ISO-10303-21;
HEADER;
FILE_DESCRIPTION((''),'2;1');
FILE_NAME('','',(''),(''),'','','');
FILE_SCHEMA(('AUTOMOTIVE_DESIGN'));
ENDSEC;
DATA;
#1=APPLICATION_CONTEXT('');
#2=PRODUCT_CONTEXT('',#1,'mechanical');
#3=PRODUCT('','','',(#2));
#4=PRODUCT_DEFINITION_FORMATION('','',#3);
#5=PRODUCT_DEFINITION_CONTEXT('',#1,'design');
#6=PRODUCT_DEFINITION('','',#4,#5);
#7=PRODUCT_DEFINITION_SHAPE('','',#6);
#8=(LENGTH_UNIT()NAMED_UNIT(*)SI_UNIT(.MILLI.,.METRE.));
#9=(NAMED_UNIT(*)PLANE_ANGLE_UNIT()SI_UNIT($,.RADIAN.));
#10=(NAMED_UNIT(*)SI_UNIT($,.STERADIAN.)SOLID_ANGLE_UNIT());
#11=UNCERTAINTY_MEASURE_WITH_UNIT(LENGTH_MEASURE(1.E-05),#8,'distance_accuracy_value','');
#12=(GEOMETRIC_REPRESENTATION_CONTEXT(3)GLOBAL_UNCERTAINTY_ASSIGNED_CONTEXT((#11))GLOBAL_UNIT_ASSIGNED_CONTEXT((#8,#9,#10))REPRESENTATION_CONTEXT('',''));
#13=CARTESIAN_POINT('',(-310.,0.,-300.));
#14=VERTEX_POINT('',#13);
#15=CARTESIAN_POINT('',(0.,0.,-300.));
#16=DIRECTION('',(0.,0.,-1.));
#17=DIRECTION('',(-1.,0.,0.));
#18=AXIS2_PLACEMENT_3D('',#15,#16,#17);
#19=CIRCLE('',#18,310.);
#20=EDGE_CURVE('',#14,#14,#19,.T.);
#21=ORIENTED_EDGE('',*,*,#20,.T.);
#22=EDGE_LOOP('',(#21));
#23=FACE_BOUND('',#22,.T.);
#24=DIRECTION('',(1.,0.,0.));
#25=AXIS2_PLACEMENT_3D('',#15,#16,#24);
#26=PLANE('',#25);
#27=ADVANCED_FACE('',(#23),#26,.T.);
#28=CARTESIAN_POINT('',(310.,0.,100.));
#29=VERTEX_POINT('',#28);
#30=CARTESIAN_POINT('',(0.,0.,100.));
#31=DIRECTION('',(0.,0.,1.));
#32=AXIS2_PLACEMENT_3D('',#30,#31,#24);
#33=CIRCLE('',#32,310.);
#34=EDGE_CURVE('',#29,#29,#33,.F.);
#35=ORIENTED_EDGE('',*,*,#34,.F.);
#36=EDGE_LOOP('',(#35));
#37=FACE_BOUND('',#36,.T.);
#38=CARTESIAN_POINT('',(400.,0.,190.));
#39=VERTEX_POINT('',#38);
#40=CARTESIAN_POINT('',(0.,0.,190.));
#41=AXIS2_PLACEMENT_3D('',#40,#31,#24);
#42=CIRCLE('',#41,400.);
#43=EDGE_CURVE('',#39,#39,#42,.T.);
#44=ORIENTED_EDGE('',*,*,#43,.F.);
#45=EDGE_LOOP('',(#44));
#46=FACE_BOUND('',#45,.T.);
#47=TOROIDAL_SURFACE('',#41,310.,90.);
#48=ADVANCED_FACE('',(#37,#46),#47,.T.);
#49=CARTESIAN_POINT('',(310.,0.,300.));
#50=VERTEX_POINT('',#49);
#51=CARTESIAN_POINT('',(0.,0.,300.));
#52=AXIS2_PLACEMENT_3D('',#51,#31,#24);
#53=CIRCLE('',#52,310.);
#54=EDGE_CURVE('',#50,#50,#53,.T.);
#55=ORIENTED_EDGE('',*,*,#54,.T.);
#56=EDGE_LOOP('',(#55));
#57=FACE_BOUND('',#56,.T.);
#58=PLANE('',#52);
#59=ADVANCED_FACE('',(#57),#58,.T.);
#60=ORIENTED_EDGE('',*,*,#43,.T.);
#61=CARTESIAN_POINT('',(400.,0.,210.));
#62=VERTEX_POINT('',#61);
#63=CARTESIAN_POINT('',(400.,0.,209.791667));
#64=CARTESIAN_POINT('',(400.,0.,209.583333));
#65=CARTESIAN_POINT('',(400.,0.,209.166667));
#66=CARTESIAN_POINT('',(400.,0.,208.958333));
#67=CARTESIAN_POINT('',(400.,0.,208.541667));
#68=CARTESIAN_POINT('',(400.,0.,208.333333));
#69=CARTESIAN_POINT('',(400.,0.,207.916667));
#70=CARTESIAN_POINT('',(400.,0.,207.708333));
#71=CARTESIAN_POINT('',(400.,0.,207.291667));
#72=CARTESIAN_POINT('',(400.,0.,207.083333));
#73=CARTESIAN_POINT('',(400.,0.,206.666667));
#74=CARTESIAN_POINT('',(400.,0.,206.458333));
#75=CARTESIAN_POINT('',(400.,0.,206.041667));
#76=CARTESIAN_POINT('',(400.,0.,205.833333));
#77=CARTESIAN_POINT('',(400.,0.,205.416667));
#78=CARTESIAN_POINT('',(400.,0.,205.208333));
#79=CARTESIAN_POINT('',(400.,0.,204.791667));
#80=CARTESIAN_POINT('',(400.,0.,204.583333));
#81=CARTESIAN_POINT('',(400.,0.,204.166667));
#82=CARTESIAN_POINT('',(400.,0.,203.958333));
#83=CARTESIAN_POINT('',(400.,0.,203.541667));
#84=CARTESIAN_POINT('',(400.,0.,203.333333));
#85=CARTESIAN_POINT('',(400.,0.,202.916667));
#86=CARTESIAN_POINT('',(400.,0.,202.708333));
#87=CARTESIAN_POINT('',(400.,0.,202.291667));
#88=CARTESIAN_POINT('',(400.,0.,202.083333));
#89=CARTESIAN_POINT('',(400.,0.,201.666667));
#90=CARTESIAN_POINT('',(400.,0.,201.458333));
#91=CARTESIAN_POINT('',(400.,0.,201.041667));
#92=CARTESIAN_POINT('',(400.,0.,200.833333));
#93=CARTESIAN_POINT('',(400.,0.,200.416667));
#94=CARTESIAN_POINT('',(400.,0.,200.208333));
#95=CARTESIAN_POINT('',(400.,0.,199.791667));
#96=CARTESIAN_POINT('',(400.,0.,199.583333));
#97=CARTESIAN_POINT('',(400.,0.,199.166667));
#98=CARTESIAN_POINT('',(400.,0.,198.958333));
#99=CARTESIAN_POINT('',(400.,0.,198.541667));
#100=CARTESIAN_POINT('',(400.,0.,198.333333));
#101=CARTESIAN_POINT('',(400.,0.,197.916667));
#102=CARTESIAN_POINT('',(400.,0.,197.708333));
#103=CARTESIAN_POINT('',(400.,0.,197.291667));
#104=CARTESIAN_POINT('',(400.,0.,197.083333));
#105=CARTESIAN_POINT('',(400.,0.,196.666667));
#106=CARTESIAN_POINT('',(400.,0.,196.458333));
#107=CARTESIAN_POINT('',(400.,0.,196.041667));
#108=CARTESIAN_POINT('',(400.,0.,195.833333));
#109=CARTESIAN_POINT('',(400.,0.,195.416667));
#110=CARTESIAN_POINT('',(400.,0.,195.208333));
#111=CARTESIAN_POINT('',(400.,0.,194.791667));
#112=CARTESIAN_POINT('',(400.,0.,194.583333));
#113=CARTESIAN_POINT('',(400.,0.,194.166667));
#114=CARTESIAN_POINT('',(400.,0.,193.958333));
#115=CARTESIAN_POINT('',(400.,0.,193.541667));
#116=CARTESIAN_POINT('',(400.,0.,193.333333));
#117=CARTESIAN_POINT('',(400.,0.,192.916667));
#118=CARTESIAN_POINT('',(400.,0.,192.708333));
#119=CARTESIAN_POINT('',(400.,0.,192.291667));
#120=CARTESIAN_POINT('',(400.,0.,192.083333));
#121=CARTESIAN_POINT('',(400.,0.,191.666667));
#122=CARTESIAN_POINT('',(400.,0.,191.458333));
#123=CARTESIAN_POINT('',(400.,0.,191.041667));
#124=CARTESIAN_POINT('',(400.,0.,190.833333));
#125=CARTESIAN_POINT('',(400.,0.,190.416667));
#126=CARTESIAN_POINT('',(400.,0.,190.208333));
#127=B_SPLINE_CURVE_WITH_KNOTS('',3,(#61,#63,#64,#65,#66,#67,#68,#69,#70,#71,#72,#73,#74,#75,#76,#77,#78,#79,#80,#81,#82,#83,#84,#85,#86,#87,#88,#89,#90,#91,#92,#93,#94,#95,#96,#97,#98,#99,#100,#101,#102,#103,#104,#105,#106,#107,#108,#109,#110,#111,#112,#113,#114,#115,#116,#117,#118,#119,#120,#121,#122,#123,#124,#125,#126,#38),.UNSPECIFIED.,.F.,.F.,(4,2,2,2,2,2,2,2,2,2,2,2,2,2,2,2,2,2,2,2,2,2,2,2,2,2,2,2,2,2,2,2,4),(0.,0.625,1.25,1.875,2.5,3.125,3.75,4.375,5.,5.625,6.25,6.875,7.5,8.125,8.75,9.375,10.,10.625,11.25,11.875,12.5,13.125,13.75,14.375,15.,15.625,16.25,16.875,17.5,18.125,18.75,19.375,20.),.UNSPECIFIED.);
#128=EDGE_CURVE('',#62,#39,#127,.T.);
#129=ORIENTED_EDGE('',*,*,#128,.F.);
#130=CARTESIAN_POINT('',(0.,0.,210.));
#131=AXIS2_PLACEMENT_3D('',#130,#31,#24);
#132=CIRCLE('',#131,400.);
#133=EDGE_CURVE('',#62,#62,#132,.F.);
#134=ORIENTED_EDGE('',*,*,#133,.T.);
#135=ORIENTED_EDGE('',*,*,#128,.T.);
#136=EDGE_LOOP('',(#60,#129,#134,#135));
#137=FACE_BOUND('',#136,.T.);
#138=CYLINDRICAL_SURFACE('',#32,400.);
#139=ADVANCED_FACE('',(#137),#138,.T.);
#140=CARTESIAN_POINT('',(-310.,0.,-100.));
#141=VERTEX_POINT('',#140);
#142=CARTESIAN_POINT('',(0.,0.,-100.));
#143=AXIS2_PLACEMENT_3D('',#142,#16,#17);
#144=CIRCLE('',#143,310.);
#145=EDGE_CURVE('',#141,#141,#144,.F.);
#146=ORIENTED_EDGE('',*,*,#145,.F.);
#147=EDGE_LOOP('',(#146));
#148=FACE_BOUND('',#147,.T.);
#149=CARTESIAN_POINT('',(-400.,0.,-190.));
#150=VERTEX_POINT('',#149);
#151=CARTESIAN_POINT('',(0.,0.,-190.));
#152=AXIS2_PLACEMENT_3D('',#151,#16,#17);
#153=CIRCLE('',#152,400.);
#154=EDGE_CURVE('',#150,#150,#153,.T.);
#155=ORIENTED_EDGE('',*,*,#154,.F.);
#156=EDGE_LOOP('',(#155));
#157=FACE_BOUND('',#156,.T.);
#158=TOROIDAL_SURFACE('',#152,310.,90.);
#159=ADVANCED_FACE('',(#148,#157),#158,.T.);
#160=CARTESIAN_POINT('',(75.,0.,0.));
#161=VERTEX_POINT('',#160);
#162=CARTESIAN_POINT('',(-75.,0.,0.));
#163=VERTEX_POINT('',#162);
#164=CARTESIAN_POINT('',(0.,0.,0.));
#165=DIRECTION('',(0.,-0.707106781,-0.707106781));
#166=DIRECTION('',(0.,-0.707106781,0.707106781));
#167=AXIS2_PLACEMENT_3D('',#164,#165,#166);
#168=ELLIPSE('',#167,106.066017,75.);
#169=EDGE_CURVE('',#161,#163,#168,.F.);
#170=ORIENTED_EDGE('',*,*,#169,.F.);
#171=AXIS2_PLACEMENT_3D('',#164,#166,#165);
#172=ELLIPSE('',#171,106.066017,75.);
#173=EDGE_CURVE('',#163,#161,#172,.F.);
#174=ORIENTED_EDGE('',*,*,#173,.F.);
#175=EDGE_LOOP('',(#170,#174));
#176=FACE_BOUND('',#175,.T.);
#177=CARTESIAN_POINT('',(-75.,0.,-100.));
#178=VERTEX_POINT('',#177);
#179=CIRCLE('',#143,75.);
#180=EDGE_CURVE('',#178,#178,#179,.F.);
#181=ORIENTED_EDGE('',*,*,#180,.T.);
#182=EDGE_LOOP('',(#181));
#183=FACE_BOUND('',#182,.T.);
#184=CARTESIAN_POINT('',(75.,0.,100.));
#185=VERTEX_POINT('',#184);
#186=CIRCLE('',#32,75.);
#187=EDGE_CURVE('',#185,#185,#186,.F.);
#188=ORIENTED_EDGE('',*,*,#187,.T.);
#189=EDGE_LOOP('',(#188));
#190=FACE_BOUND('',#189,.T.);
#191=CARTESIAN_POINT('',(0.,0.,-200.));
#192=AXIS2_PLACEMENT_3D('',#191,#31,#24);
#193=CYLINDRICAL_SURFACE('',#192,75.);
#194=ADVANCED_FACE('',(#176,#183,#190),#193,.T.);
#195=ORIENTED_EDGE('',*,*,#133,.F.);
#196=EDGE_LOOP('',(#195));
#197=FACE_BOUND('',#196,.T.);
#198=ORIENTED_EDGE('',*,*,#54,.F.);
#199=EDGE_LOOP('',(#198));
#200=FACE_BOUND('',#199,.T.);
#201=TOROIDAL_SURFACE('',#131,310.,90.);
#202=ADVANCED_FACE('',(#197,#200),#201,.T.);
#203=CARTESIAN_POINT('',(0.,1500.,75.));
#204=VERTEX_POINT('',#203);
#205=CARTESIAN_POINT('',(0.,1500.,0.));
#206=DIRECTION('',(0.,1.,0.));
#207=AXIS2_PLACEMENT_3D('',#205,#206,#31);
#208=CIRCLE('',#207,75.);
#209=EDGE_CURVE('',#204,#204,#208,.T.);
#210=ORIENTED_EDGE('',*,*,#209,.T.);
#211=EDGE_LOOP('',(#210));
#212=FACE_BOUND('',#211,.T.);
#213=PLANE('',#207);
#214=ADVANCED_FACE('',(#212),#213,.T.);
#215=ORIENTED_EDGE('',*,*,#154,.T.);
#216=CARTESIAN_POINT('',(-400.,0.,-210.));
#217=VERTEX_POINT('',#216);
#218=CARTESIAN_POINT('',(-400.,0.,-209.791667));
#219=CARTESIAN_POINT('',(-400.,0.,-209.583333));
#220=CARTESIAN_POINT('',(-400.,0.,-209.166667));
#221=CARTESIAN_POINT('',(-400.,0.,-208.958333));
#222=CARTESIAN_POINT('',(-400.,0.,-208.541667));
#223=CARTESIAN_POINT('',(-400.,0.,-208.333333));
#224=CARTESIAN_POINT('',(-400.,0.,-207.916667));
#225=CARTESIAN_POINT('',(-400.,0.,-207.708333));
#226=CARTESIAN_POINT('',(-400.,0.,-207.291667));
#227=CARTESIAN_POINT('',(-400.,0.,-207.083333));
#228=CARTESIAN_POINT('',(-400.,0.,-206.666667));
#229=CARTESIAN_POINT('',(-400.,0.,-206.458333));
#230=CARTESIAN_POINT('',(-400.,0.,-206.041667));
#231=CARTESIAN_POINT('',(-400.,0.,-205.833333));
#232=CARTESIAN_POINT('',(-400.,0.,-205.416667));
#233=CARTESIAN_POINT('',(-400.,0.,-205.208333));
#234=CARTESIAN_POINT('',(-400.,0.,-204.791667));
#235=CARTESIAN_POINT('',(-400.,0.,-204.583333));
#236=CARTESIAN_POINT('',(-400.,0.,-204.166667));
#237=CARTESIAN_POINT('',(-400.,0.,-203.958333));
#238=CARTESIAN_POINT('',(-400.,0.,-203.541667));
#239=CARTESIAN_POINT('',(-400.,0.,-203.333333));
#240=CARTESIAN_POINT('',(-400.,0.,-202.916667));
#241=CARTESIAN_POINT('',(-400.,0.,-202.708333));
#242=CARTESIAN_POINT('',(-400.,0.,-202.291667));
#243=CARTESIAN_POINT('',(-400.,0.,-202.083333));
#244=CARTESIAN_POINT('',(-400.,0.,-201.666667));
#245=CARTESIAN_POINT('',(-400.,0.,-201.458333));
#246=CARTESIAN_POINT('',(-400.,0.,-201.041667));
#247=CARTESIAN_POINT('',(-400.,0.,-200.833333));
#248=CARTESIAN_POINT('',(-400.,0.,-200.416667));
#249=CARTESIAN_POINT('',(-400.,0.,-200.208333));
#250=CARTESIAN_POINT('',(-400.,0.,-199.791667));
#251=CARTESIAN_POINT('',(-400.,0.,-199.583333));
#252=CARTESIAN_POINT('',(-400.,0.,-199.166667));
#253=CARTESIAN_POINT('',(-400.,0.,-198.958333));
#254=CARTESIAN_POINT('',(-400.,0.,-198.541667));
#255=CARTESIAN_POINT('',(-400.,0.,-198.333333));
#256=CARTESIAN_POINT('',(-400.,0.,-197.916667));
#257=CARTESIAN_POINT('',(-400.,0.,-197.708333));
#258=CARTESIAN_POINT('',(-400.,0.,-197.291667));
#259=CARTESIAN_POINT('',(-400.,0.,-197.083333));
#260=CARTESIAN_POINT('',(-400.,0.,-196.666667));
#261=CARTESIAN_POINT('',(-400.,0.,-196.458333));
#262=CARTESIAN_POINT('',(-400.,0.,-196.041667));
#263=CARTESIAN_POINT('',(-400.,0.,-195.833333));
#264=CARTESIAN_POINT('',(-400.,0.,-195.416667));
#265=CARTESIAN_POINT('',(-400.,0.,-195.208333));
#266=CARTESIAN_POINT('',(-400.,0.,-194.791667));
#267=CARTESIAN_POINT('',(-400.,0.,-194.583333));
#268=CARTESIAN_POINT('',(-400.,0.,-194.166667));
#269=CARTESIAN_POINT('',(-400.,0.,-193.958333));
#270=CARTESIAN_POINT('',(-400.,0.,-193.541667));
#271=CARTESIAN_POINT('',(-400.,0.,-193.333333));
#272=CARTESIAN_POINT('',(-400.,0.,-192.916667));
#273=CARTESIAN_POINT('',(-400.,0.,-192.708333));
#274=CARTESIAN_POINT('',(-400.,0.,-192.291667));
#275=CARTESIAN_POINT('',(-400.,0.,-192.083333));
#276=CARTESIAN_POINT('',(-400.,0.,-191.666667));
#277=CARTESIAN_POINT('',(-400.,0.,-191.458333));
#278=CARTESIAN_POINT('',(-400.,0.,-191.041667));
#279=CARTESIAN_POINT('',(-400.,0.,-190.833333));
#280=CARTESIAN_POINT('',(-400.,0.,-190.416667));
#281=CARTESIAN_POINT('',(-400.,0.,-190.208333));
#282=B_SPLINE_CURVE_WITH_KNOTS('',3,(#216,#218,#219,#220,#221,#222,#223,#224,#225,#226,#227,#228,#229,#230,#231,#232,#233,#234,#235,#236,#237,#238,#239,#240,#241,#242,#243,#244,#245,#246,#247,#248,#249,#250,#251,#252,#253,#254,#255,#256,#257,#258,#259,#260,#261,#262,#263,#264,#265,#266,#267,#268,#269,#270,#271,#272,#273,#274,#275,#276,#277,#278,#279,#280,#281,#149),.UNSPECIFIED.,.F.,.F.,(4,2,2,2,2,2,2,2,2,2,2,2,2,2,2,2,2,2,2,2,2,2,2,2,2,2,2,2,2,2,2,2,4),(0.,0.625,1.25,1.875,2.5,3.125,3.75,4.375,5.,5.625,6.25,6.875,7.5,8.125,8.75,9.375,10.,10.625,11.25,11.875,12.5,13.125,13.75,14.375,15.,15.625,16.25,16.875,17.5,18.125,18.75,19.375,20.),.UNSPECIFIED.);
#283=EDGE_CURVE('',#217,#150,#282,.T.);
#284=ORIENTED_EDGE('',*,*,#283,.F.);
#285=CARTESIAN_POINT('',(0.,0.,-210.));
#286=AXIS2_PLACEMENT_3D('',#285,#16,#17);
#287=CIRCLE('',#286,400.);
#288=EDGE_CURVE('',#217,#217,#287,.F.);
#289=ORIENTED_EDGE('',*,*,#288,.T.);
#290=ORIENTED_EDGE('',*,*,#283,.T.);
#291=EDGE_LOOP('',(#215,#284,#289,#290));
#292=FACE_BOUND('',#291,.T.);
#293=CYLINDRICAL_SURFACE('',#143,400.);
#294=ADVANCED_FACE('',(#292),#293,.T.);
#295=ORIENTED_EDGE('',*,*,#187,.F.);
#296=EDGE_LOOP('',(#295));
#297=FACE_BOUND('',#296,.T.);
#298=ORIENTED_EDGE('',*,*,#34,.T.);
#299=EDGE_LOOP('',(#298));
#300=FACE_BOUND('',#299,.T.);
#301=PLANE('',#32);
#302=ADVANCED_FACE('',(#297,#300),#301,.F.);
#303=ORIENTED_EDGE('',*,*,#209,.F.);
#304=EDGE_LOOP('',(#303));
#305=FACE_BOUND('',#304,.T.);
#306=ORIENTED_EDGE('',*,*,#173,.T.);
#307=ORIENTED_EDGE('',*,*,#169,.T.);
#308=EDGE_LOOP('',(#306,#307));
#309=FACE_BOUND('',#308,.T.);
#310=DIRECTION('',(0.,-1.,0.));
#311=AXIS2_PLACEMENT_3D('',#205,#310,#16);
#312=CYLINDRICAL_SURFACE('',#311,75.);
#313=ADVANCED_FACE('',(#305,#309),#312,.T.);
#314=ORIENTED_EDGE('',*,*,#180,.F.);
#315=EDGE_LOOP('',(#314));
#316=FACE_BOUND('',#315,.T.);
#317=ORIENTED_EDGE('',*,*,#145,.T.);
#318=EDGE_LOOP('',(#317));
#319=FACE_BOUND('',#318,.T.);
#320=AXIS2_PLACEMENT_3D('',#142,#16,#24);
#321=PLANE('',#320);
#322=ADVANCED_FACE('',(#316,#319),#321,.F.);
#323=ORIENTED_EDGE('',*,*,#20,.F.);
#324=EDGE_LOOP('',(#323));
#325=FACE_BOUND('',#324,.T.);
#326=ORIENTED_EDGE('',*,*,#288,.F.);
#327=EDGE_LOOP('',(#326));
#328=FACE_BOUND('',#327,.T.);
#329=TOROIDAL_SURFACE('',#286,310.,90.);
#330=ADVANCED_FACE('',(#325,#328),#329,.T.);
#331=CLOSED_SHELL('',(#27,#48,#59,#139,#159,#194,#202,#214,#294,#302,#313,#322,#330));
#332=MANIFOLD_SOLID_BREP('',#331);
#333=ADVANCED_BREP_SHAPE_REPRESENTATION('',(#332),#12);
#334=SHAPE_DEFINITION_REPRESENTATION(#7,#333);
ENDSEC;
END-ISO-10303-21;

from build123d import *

# Parameters (mm, degrees)
ESBO_O1_R                     = 75
RESSALTO_EXTRUS_O1_DEPTH      = 1500
RESSALTO_EXTRUS_O2_DEPTH      = 200
RESSALTO_EXTRUS_O2_DEPTH_BACK = 200
ESBO_O2_R                     = 75
ESBO_O3_R                     = 400
RESSALTO_EXTRUS_O3_DEPTH      = 100
FILETE1_R                     = 90
FILETE1_OF_ESPELHAR1_R        = 90


with BuildPart() as part:
    # Esboço1 → Ressalto-extrusão1 (new body)
    with BuildSketch(Plane(origin=(0, 0, 0), x_dir=(1, 0, 0), z_dir=(0, 1, 0))):
        Circle(ESBO_O1_R)
    extrude(amount=RESSALTO_EXTRUS_O1_DEPTH)

    # Esboço2 → Ressalto-extrusão2 (add, two sides: drawn at the far end of the back side and taken through both)
    with BuildSketch(Plane.XY.offset(-RESSALTO_EXTRUS_O2_DEPTH_BACK)):
        Circle(ESBO_O2_R)
    extrude(amount=RESSALTO_EXTRUS_O2_DEPTH + RESSALTO_EXTRUS_O2_DEPTH_BACK)

    # Esboço3 → Ressalto-extrusão3 (add, symmetric)
    with BuildSketch(Plane.XY.offset(200)):
        Circle(ESBO_O3_R)
    ressalto_extrus_o3 = extrude(amount=RESSALTO_EXTRUS_O3_DEPTH, both=True)

    # Filete1
    filete1_edges = [part.edges().sort_by_distance(p)[0] for p in [
        (-400, 0, 300),
        (-400, 0, 100),
    ]]
    fillet(filete1_edges, radius=FILETE1_R)

    # Espelhar1: Ressalto-extrusão3 across plane
    add(ressalto_extrus_o3.mirror(Plane.XY))

    # Filete1 of Espelhar1
    filete1_of_espelhar1_edges = [part.edges().sort_by_distance(p)[0] for p in [
        (-400, 0, -300),
        (-400, 0, -100),
    ]]
    fillet(filete1_of_espelhar1_edges, radius=FILETE1_OF_ESPELHAR1_R)


solid = part.part
